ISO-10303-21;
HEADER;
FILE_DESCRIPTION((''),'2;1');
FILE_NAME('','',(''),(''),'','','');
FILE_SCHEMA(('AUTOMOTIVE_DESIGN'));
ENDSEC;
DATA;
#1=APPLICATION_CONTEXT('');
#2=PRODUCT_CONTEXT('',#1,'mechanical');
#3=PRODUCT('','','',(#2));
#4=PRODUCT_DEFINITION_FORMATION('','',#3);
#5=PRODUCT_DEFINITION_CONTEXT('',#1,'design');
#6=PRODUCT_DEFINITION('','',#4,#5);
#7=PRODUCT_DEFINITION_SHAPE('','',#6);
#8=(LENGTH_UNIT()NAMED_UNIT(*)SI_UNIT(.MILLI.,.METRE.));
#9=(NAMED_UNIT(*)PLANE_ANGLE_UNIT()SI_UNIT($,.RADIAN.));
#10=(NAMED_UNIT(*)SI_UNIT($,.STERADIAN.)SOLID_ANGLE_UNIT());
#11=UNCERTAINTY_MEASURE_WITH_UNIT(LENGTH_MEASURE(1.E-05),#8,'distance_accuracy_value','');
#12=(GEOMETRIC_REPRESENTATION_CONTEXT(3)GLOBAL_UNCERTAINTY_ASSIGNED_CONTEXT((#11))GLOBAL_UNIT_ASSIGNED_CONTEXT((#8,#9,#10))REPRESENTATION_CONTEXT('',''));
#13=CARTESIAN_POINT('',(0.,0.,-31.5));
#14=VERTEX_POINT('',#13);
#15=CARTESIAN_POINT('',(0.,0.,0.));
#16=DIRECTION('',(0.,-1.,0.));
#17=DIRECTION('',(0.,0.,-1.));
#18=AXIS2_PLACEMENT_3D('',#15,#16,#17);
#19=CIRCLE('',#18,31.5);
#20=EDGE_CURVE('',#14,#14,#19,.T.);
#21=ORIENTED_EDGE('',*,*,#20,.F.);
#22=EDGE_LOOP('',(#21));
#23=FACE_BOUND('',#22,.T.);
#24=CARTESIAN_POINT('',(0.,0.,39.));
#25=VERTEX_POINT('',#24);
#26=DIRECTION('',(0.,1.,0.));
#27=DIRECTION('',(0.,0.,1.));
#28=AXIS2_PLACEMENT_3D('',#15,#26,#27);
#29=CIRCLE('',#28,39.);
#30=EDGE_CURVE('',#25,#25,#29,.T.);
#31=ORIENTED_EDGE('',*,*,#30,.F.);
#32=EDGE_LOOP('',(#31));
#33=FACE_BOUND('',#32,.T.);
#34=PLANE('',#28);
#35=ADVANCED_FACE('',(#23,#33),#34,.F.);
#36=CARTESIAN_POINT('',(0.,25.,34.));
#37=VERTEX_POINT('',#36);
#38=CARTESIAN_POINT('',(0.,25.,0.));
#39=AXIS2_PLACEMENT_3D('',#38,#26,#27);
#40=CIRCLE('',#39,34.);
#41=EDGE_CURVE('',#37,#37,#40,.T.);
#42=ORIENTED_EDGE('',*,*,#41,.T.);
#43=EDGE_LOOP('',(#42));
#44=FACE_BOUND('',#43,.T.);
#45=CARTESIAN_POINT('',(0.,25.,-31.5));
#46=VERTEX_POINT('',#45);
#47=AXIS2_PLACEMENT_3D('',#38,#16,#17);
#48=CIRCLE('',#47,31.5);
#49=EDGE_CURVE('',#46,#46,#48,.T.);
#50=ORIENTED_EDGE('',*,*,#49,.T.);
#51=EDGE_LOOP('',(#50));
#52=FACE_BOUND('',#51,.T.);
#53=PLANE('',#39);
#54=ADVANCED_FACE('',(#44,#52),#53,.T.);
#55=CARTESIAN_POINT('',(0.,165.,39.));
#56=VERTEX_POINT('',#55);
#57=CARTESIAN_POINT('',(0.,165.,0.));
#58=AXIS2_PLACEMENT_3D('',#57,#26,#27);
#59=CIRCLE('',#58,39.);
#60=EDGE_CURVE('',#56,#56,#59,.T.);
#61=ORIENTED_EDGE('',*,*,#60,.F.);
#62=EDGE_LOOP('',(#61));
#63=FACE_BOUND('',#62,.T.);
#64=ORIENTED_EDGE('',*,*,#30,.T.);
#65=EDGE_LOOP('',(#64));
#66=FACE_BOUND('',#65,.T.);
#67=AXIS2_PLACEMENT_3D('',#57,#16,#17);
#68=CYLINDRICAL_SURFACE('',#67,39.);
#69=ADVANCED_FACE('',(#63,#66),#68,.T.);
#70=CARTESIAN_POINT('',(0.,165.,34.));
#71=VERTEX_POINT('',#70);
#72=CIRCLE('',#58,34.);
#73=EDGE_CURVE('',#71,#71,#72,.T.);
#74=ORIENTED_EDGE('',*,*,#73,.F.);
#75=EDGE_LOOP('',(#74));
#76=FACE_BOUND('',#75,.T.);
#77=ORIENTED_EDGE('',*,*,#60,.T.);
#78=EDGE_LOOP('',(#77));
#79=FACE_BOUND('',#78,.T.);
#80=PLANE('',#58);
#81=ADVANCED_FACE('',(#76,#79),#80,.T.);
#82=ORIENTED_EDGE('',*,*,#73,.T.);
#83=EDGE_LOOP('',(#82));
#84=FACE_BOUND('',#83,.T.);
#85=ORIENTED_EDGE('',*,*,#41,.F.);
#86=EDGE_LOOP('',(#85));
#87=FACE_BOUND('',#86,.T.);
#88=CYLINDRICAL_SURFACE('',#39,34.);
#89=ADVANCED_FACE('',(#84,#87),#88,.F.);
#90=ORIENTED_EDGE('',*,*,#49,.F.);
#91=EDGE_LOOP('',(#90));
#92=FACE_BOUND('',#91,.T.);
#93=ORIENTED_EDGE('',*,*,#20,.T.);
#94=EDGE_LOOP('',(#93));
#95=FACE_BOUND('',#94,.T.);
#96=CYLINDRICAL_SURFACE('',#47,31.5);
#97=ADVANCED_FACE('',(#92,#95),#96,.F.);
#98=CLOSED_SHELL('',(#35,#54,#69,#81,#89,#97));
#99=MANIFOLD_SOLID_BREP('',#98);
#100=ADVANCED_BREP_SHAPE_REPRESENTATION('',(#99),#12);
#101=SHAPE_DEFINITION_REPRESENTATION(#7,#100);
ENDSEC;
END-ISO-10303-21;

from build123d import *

# Parameters (mm, degrees)
SKETCH1_R           = 39
BOSS_EXTRUDE1_DEPTH = 165
SKETCH2_R           = 31.5
CUT_EXTRUDE1_DEPTH  = 25
SKETCH3_R           = 34
CUT_EXTRUDE2_DEPTH  = 140


with BuildPart() as part:
    # Sketch1 → Boss-Extrude1 (new body)
    with BuildSketch(Plane(origin=(0, 0, 0), x_dir=(1, 0, 0), z_dir=(0, 1, 0))):
        with Locations(Location((0, 0, 0), (0, 0, 270))):
            Circle(SKETCH1_R)
    extrude(amount=BOSS_EXTRUDE1_DEPTH)

    # Sketch2 → Cut-Extrude1 (cut)
    with BuildSketch(Plane.XZ):
        with Locations(Location((0, 0, 0), (0, 0, 270))):
            Circle(SKETCH2_R)
    extrude(amount=-CUT_EXTRUDE1_DEPTH, mode=Mode.SUBTRACT)

    # Sketch3 → Cut-Extrude2 (cut)
    with BuildSketch(Plane(origin=(0, 165, 0), x_dir=(1, 0, 0), z_dir=(0, 1, 0))):
        with Locations(Location((0, 0, 0), (0, 0, 270))):
            Circle(SKETCH3_R)
    extrude(amount=-CUT_EXTRUDE2_DEPTH, mode=Mode.SUBTRACT)


solid = part.part
